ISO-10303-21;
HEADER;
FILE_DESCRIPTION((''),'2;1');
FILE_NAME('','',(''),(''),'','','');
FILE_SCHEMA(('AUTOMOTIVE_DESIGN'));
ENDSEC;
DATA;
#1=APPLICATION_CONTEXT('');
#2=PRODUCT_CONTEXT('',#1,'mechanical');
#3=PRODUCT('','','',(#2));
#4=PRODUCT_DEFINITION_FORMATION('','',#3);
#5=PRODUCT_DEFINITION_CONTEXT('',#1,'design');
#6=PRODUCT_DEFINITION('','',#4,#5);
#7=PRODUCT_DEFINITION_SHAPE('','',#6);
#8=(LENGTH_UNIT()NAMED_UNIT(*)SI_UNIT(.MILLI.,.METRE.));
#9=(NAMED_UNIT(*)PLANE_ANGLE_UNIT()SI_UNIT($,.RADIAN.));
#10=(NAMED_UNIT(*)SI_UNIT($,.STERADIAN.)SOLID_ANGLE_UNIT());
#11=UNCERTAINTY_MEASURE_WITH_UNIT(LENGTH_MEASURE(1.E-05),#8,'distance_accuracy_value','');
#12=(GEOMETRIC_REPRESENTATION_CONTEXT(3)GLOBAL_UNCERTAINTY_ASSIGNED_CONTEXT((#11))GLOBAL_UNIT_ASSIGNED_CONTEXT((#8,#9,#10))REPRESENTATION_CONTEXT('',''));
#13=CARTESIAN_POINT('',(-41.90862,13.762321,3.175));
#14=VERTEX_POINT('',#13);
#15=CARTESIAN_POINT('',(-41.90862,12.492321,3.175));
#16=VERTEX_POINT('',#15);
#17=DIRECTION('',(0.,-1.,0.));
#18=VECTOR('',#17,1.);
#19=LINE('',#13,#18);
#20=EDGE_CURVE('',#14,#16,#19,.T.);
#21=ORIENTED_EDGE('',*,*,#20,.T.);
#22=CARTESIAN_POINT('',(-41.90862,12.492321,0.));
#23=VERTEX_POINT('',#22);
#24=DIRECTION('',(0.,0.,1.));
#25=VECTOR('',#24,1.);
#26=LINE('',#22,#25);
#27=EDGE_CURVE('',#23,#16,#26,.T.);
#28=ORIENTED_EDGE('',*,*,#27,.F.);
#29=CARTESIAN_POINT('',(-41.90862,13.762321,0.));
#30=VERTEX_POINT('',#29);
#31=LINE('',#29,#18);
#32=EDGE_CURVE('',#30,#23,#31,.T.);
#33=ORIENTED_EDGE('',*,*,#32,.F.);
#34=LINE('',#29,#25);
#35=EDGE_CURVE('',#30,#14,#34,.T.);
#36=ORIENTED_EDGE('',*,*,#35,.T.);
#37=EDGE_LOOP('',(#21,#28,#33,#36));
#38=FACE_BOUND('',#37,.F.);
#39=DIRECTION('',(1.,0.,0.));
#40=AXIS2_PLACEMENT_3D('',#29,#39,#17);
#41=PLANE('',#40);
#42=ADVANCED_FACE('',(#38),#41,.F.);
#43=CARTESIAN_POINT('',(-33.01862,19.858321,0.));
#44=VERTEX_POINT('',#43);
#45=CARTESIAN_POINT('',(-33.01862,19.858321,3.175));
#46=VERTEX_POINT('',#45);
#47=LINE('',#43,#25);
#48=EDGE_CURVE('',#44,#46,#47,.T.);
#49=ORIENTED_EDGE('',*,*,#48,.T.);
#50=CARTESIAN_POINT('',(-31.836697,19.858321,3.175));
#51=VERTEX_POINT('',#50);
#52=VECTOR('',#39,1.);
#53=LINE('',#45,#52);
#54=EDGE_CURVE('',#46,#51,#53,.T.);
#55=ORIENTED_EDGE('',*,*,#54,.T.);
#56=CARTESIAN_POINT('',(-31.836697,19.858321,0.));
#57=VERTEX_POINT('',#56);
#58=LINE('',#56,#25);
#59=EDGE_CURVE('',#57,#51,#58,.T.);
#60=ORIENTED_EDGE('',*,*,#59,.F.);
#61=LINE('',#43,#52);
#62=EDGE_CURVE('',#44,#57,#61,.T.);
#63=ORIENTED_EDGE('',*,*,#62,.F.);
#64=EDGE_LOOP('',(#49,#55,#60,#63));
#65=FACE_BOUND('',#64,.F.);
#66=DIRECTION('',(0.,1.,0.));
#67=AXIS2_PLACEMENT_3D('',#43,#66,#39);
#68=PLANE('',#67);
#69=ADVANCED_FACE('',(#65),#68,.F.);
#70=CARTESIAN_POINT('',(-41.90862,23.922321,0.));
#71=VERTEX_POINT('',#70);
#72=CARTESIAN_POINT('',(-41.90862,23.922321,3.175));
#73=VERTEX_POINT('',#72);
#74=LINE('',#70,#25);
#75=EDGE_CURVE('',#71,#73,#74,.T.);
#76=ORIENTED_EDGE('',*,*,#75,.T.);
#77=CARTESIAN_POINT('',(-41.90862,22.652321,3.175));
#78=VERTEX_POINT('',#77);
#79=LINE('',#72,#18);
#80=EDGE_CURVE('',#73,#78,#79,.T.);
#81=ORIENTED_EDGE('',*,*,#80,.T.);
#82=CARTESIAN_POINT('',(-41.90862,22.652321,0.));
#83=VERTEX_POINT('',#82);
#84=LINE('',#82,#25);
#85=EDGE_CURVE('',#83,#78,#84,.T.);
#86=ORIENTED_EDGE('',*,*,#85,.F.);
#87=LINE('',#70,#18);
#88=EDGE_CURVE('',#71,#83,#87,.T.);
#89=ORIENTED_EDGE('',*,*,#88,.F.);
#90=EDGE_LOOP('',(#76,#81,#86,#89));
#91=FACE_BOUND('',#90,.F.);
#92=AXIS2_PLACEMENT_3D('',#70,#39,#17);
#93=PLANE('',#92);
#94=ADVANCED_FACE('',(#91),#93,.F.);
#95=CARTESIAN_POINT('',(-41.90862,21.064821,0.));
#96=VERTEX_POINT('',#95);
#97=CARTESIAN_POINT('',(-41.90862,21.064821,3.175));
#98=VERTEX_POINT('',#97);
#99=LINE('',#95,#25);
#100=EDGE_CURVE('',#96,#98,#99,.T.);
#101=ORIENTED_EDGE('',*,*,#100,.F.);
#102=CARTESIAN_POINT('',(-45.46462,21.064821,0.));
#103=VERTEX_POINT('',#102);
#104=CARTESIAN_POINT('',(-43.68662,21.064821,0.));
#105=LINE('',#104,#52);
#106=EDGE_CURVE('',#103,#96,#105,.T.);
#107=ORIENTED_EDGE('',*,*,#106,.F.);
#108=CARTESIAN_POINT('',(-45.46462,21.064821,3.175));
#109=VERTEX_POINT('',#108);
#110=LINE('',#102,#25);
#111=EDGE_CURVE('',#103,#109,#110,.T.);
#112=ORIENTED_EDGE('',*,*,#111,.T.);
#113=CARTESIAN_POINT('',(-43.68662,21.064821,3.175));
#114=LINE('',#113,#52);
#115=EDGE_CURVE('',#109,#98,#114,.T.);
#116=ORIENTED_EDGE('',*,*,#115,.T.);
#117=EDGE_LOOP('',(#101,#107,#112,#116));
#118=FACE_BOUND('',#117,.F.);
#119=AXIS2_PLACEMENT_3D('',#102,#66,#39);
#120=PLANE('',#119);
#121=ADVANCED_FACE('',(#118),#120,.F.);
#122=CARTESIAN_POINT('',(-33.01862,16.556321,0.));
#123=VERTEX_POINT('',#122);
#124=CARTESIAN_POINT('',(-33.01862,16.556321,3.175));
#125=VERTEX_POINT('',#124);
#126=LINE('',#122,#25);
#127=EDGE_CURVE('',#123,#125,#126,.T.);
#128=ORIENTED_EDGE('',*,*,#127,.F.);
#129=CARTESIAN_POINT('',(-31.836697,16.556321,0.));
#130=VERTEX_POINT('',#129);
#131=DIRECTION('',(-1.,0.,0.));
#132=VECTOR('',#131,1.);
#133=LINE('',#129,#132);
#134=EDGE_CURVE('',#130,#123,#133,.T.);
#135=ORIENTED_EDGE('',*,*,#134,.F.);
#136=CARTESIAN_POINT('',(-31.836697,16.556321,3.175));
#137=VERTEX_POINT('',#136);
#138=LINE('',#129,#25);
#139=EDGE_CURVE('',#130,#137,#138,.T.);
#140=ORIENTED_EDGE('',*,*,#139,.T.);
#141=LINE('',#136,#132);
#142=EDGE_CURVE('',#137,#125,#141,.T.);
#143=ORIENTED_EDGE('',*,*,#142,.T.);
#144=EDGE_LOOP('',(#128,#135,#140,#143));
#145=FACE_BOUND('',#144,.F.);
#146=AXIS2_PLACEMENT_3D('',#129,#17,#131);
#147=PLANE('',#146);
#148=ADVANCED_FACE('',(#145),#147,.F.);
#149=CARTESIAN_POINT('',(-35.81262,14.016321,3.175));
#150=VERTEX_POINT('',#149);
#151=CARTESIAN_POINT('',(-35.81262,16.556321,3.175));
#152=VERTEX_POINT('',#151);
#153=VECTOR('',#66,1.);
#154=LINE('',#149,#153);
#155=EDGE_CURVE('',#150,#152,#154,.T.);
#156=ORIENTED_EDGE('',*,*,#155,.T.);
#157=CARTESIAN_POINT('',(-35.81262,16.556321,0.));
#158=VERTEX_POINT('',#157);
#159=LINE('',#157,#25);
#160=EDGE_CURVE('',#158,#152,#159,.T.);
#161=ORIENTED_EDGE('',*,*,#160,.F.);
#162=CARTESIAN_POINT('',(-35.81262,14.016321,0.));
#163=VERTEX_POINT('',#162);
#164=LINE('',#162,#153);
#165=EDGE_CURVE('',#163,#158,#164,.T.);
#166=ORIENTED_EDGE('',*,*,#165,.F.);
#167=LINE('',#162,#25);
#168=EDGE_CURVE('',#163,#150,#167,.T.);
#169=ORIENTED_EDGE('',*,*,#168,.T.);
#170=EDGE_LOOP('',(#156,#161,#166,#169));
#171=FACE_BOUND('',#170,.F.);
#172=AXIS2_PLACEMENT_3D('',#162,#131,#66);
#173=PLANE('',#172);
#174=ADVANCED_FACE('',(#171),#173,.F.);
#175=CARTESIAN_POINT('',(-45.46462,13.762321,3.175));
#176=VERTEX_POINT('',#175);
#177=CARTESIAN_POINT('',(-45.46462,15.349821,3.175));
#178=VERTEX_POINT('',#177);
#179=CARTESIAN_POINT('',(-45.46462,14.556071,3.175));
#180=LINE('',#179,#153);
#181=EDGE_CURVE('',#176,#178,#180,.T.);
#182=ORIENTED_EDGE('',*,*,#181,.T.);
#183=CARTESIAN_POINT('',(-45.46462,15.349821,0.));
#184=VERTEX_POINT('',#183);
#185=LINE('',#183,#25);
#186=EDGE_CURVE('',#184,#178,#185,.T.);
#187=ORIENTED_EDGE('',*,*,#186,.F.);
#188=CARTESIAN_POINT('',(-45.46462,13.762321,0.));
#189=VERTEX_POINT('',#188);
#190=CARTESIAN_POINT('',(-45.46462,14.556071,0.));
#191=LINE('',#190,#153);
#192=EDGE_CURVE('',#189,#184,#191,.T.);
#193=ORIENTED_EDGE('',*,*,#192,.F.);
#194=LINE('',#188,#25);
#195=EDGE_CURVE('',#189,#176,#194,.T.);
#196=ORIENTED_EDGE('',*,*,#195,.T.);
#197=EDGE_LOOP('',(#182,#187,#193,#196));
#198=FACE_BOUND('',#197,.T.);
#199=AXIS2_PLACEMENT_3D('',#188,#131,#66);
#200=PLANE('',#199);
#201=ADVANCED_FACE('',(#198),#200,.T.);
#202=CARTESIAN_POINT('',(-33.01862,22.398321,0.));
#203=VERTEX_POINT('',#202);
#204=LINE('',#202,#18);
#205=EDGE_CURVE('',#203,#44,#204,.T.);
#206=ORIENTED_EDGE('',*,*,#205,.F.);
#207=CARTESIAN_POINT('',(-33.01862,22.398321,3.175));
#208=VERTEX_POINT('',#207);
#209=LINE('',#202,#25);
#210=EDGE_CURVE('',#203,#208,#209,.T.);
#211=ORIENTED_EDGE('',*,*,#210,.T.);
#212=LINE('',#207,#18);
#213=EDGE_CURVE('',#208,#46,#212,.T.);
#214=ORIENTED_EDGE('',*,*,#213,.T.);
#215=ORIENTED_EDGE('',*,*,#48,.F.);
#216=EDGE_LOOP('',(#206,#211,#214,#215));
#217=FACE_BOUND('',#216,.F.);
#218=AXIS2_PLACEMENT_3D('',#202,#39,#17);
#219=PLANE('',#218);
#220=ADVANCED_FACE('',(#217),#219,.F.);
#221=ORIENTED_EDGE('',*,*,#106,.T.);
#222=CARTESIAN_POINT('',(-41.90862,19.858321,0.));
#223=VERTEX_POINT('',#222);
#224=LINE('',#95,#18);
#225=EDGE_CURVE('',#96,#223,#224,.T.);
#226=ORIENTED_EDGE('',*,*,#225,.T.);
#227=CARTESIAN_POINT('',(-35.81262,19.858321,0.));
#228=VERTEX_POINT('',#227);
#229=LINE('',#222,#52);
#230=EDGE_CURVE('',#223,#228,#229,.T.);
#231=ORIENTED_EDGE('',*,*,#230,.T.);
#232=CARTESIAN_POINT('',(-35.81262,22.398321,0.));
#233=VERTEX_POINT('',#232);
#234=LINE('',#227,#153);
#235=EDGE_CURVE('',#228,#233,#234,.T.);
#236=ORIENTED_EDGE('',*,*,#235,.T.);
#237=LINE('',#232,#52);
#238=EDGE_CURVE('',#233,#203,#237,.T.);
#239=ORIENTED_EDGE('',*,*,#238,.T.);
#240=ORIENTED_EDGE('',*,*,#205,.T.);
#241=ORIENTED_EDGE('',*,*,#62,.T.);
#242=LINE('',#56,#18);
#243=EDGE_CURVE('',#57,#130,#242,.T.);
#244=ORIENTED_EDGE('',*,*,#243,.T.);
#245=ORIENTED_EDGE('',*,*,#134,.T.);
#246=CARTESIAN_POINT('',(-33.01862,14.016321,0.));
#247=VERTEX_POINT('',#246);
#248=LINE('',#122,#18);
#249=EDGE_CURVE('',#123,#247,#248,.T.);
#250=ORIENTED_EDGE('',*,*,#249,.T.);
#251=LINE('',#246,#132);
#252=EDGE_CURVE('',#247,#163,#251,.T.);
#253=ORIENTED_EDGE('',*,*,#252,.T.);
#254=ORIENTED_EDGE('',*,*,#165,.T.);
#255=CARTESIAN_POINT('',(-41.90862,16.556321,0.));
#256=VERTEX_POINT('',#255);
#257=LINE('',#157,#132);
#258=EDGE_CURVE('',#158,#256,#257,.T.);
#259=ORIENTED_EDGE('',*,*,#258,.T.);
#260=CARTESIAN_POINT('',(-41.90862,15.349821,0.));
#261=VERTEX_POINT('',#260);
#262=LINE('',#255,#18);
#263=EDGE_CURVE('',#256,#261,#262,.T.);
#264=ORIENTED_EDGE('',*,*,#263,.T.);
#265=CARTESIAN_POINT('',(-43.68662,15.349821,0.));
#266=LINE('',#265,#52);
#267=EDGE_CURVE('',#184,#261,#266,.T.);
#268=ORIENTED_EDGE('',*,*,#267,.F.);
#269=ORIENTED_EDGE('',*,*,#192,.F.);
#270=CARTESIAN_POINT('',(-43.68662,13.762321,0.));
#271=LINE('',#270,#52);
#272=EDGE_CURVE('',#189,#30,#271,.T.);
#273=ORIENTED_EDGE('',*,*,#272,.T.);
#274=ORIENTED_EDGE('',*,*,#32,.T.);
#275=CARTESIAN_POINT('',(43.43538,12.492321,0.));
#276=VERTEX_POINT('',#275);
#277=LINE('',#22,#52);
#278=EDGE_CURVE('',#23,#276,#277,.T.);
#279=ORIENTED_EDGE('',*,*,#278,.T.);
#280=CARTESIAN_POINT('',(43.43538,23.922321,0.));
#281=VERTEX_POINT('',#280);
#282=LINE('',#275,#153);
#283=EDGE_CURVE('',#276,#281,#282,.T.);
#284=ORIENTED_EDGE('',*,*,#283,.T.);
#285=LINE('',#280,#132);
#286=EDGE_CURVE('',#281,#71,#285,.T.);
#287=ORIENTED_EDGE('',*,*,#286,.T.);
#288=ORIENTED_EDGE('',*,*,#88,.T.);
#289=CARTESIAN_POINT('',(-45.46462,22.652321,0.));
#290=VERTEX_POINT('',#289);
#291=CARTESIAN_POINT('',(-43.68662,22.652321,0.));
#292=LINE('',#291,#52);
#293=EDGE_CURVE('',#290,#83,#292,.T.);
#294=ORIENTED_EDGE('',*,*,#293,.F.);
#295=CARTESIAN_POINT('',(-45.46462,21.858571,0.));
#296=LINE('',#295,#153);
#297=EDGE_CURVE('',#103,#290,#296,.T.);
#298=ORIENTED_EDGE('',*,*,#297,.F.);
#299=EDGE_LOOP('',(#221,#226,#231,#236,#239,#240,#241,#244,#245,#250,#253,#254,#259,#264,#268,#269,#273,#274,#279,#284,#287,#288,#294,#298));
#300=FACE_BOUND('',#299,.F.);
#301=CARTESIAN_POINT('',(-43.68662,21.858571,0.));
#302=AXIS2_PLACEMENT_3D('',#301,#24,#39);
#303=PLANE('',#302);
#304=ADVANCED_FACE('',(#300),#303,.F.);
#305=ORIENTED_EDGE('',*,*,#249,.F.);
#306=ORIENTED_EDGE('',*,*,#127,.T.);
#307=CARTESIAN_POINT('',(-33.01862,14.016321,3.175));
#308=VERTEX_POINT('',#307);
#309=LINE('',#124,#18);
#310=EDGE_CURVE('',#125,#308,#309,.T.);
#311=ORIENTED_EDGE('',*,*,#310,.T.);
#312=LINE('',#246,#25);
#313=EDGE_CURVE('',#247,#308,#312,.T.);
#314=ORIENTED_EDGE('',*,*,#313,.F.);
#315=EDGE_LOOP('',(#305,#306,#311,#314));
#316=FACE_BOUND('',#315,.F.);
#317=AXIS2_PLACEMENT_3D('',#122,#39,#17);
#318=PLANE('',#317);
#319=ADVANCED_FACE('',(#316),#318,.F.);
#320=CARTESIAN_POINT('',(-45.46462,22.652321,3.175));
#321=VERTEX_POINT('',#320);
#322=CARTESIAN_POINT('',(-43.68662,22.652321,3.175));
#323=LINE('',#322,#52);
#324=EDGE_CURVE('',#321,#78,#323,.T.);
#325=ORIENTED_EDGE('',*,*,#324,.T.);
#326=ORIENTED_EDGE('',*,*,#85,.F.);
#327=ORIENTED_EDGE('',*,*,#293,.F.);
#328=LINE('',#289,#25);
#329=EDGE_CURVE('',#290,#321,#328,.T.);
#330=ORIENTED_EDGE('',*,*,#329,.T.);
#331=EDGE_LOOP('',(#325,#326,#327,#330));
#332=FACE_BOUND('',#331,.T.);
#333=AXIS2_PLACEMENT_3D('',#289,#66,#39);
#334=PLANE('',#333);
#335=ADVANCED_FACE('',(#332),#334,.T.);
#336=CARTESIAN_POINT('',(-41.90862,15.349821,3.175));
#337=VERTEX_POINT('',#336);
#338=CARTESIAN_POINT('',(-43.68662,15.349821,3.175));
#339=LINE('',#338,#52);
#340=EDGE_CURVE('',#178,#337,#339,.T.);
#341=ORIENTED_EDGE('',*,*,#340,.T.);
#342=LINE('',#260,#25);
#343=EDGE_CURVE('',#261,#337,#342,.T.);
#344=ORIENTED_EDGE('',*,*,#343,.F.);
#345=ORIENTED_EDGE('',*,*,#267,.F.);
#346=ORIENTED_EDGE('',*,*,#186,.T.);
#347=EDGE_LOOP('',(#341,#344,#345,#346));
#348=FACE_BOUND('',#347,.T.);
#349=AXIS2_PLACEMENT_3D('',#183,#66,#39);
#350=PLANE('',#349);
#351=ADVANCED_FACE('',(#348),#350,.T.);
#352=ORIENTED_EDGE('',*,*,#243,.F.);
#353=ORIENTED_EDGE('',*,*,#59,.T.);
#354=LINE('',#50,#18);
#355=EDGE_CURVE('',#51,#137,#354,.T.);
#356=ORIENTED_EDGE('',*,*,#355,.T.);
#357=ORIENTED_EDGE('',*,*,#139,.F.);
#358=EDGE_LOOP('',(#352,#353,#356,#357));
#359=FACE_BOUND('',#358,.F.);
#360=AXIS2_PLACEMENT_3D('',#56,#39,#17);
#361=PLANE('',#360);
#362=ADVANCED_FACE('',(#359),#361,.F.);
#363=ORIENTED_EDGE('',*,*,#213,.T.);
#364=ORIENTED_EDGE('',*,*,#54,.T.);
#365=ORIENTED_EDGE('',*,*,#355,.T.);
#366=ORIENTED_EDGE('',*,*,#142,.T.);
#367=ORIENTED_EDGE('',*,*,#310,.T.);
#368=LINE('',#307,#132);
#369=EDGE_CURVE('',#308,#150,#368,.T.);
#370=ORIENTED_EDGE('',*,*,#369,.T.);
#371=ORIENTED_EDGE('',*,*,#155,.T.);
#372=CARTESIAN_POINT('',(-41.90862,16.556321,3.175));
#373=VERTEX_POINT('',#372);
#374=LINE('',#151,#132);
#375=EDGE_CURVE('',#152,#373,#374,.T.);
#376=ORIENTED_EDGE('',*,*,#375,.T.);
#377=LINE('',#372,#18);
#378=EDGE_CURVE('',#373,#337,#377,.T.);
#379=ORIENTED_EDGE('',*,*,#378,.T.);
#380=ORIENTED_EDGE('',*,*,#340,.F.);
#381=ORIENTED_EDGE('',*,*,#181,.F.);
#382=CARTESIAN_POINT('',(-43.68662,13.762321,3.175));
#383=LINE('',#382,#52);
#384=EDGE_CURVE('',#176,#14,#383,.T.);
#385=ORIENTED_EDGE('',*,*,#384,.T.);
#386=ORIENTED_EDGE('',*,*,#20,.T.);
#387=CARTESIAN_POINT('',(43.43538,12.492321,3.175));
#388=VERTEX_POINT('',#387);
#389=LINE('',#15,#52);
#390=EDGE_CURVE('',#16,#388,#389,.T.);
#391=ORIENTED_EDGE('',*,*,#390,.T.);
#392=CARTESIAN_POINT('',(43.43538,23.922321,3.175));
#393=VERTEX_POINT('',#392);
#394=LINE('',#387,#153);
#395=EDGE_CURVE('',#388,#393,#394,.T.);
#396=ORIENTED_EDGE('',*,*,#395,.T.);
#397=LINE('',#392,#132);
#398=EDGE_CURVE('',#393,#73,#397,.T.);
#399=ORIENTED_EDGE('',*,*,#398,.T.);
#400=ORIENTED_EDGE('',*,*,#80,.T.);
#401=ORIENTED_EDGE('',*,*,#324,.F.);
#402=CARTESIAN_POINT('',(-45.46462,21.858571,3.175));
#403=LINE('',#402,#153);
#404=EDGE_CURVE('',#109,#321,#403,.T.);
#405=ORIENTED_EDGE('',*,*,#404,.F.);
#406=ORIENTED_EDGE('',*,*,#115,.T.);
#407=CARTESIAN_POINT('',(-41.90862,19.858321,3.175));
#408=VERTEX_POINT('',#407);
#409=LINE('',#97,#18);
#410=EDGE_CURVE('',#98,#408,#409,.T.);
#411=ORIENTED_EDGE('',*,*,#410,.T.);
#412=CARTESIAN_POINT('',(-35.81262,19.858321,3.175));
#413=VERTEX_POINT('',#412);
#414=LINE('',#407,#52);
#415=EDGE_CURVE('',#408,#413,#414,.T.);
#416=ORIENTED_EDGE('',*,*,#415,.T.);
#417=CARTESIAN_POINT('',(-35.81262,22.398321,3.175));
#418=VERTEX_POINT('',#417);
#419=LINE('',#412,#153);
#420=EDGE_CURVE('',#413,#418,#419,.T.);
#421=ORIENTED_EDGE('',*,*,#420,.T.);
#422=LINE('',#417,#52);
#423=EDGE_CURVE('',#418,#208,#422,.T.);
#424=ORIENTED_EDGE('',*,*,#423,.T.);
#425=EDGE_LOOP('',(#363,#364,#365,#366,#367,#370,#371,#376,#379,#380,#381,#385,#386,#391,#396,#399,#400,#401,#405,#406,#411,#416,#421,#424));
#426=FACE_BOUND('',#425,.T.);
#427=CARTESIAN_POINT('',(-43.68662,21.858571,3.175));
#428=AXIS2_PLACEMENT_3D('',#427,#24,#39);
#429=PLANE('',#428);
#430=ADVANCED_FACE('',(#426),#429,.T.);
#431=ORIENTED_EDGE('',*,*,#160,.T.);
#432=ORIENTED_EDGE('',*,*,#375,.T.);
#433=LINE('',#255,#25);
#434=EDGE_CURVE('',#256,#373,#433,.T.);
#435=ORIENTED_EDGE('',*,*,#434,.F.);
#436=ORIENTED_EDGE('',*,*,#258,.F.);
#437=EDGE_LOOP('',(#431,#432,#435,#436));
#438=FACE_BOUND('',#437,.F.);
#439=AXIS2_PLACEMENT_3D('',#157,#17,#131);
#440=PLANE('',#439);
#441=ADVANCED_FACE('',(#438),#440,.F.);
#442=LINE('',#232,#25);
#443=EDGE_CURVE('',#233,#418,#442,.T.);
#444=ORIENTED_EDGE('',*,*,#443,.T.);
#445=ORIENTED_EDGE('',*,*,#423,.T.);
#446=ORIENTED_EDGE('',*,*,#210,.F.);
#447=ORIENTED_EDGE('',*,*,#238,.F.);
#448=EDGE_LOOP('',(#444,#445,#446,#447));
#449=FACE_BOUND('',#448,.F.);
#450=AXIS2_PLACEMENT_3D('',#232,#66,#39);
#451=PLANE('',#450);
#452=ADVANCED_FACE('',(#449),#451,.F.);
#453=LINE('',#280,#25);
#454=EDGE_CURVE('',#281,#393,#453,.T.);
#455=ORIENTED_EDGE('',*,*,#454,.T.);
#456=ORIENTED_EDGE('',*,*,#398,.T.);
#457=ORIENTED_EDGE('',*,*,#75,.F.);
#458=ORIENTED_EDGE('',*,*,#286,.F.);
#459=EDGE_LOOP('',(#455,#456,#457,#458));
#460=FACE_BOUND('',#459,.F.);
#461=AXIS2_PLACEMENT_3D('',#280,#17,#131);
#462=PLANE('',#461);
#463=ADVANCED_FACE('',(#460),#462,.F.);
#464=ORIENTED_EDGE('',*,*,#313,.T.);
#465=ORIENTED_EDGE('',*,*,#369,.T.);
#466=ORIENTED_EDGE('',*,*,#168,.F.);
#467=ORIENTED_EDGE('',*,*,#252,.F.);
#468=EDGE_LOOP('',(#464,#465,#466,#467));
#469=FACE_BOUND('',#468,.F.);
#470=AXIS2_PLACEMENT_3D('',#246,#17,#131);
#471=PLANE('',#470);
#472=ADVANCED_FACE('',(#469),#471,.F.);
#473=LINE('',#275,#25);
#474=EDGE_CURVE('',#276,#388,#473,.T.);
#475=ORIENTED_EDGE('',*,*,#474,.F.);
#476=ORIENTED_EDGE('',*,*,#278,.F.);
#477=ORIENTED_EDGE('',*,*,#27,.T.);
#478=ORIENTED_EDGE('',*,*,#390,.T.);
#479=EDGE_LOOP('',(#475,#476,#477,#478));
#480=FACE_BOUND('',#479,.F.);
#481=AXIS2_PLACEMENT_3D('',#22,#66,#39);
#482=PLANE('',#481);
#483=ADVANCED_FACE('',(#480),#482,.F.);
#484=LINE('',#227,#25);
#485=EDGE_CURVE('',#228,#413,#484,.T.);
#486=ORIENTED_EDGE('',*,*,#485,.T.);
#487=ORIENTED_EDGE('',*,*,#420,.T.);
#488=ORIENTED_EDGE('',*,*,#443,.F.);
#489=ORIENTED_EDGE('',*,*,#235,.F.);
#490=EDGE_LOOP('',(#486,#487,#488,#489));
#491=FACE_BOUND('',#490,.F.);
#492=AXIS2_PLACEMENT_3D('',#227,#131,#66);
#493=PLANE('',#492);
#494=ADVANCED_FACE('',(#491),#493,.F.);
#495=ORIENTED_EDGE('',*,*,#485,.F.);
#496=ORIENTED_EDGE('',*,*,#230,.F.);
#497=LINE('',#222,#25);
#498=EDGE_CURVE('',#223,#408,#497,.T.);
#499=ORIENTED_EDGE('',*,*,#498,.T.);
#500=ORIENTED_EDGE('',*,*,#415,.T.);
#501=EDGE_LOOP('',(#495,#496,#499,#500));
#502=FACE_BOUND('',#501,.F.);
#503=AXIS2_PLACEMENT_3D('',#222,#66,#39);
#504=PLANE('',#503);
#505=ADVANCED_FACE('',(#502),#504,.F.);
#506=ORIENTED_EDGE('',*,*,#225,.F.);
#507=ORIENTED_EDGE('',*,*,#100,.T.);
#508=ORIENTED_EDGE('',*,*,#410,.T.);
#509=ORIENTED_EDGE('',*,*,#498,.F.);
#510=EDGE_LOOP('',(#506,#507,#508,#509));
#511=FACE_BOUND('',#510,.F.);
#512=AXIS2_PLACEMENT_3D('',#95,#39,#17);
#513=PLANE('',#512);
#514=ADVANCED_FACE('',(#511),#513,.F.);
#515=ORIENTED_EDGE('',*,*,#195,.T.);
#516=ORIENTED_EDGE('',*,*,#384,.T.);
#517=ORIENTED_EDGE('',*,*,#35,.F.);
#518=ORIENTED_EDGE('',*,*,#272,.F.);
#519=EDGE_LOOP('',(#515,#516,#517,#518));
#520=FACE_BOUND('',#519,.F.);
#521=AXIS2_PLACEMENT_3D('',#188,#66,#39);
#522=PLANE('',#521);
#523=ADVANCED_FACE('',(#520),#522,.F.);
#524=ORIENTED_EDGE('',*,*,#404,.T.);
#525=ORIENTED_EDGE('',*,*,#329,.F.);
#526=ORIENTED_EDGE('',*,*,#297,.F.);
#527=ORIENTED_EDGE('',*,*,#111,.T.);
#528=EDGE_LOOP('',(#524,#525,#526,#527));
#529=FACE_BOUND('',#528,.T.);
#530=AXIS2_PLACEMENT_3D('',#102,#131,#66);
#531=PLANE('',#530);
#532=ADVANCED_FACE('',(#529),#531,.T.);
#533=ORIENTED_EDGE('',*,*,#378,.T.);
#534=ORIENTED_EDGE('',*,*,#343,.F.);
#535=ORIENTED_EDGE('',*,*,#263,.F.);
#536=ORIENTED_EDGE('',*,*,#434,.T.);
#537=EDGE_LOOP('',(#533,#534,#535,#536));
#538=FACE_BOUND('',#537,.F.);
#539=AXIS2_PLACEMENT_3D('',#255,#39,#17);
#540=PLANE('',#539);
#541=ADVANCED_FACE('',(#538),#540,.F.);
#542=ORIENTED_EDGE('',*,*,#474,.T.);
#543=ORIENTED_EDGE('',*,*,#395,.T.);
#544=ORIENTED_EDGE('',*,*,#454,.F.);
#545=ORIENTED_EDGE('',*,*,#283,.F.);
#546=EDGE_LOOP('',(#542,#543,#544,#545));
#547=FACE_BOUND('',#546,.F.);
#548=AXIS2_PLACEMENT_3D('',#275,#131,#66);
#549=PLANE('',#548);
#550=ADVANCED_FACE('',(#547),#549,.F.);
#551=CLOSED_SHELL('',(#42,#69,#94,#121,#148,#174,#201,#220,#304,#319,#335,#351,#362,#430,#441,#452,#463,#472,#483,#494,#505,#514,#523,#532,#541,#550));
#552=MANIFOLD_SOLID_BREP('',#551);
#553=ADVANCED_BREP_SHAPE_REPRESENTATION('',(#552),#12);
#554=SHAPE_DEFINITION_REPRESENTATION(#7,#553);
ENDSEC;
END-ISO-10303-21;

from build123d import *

# Parameters (mm, degrees)
F0_W     = 3.556
F0_H     = 1.5875
F1_DEPTH = 3.175


with BuildPart() as f1:
    # F0 (on Top) → F1 (new body)
    with BuildSketch(Plane.XY):
        with Locations((-43.68662, 21.858571)):
            Rectangle(F0_W, F0_H)
        with Locations((-43.68662, 14.556071)):
            Rectangle(F0_W, F0_H)
        Polygon((43.43538, 23.922321), (-41.90862, 23.922321), (-41.90862, 22.652321), (-41.90862, 21.064821), (-41.90862, 19.858321), (-35.81262, 19.858321), (-35.81262, 22.398321), (-33.01862, 22.398321), (-33.01862, 19.858321), (-31.836697, 19.858321), (-31.836697, 18.207321), (-31.836697, 16.556321), (-33.01862, 16.556321), (-33.01862, 14.016321), (-35.81262, 14.016321), (-35.81262, 16.556321), (-41.90862, 16.556321), (-41.90862, 15.349821), (-41.90862, 13.762321), (-41.90862, 12.492321), (43.43538, 12.492321), align=None)
    extrude(amount=F1_DEPTH)


solid = f1.part
